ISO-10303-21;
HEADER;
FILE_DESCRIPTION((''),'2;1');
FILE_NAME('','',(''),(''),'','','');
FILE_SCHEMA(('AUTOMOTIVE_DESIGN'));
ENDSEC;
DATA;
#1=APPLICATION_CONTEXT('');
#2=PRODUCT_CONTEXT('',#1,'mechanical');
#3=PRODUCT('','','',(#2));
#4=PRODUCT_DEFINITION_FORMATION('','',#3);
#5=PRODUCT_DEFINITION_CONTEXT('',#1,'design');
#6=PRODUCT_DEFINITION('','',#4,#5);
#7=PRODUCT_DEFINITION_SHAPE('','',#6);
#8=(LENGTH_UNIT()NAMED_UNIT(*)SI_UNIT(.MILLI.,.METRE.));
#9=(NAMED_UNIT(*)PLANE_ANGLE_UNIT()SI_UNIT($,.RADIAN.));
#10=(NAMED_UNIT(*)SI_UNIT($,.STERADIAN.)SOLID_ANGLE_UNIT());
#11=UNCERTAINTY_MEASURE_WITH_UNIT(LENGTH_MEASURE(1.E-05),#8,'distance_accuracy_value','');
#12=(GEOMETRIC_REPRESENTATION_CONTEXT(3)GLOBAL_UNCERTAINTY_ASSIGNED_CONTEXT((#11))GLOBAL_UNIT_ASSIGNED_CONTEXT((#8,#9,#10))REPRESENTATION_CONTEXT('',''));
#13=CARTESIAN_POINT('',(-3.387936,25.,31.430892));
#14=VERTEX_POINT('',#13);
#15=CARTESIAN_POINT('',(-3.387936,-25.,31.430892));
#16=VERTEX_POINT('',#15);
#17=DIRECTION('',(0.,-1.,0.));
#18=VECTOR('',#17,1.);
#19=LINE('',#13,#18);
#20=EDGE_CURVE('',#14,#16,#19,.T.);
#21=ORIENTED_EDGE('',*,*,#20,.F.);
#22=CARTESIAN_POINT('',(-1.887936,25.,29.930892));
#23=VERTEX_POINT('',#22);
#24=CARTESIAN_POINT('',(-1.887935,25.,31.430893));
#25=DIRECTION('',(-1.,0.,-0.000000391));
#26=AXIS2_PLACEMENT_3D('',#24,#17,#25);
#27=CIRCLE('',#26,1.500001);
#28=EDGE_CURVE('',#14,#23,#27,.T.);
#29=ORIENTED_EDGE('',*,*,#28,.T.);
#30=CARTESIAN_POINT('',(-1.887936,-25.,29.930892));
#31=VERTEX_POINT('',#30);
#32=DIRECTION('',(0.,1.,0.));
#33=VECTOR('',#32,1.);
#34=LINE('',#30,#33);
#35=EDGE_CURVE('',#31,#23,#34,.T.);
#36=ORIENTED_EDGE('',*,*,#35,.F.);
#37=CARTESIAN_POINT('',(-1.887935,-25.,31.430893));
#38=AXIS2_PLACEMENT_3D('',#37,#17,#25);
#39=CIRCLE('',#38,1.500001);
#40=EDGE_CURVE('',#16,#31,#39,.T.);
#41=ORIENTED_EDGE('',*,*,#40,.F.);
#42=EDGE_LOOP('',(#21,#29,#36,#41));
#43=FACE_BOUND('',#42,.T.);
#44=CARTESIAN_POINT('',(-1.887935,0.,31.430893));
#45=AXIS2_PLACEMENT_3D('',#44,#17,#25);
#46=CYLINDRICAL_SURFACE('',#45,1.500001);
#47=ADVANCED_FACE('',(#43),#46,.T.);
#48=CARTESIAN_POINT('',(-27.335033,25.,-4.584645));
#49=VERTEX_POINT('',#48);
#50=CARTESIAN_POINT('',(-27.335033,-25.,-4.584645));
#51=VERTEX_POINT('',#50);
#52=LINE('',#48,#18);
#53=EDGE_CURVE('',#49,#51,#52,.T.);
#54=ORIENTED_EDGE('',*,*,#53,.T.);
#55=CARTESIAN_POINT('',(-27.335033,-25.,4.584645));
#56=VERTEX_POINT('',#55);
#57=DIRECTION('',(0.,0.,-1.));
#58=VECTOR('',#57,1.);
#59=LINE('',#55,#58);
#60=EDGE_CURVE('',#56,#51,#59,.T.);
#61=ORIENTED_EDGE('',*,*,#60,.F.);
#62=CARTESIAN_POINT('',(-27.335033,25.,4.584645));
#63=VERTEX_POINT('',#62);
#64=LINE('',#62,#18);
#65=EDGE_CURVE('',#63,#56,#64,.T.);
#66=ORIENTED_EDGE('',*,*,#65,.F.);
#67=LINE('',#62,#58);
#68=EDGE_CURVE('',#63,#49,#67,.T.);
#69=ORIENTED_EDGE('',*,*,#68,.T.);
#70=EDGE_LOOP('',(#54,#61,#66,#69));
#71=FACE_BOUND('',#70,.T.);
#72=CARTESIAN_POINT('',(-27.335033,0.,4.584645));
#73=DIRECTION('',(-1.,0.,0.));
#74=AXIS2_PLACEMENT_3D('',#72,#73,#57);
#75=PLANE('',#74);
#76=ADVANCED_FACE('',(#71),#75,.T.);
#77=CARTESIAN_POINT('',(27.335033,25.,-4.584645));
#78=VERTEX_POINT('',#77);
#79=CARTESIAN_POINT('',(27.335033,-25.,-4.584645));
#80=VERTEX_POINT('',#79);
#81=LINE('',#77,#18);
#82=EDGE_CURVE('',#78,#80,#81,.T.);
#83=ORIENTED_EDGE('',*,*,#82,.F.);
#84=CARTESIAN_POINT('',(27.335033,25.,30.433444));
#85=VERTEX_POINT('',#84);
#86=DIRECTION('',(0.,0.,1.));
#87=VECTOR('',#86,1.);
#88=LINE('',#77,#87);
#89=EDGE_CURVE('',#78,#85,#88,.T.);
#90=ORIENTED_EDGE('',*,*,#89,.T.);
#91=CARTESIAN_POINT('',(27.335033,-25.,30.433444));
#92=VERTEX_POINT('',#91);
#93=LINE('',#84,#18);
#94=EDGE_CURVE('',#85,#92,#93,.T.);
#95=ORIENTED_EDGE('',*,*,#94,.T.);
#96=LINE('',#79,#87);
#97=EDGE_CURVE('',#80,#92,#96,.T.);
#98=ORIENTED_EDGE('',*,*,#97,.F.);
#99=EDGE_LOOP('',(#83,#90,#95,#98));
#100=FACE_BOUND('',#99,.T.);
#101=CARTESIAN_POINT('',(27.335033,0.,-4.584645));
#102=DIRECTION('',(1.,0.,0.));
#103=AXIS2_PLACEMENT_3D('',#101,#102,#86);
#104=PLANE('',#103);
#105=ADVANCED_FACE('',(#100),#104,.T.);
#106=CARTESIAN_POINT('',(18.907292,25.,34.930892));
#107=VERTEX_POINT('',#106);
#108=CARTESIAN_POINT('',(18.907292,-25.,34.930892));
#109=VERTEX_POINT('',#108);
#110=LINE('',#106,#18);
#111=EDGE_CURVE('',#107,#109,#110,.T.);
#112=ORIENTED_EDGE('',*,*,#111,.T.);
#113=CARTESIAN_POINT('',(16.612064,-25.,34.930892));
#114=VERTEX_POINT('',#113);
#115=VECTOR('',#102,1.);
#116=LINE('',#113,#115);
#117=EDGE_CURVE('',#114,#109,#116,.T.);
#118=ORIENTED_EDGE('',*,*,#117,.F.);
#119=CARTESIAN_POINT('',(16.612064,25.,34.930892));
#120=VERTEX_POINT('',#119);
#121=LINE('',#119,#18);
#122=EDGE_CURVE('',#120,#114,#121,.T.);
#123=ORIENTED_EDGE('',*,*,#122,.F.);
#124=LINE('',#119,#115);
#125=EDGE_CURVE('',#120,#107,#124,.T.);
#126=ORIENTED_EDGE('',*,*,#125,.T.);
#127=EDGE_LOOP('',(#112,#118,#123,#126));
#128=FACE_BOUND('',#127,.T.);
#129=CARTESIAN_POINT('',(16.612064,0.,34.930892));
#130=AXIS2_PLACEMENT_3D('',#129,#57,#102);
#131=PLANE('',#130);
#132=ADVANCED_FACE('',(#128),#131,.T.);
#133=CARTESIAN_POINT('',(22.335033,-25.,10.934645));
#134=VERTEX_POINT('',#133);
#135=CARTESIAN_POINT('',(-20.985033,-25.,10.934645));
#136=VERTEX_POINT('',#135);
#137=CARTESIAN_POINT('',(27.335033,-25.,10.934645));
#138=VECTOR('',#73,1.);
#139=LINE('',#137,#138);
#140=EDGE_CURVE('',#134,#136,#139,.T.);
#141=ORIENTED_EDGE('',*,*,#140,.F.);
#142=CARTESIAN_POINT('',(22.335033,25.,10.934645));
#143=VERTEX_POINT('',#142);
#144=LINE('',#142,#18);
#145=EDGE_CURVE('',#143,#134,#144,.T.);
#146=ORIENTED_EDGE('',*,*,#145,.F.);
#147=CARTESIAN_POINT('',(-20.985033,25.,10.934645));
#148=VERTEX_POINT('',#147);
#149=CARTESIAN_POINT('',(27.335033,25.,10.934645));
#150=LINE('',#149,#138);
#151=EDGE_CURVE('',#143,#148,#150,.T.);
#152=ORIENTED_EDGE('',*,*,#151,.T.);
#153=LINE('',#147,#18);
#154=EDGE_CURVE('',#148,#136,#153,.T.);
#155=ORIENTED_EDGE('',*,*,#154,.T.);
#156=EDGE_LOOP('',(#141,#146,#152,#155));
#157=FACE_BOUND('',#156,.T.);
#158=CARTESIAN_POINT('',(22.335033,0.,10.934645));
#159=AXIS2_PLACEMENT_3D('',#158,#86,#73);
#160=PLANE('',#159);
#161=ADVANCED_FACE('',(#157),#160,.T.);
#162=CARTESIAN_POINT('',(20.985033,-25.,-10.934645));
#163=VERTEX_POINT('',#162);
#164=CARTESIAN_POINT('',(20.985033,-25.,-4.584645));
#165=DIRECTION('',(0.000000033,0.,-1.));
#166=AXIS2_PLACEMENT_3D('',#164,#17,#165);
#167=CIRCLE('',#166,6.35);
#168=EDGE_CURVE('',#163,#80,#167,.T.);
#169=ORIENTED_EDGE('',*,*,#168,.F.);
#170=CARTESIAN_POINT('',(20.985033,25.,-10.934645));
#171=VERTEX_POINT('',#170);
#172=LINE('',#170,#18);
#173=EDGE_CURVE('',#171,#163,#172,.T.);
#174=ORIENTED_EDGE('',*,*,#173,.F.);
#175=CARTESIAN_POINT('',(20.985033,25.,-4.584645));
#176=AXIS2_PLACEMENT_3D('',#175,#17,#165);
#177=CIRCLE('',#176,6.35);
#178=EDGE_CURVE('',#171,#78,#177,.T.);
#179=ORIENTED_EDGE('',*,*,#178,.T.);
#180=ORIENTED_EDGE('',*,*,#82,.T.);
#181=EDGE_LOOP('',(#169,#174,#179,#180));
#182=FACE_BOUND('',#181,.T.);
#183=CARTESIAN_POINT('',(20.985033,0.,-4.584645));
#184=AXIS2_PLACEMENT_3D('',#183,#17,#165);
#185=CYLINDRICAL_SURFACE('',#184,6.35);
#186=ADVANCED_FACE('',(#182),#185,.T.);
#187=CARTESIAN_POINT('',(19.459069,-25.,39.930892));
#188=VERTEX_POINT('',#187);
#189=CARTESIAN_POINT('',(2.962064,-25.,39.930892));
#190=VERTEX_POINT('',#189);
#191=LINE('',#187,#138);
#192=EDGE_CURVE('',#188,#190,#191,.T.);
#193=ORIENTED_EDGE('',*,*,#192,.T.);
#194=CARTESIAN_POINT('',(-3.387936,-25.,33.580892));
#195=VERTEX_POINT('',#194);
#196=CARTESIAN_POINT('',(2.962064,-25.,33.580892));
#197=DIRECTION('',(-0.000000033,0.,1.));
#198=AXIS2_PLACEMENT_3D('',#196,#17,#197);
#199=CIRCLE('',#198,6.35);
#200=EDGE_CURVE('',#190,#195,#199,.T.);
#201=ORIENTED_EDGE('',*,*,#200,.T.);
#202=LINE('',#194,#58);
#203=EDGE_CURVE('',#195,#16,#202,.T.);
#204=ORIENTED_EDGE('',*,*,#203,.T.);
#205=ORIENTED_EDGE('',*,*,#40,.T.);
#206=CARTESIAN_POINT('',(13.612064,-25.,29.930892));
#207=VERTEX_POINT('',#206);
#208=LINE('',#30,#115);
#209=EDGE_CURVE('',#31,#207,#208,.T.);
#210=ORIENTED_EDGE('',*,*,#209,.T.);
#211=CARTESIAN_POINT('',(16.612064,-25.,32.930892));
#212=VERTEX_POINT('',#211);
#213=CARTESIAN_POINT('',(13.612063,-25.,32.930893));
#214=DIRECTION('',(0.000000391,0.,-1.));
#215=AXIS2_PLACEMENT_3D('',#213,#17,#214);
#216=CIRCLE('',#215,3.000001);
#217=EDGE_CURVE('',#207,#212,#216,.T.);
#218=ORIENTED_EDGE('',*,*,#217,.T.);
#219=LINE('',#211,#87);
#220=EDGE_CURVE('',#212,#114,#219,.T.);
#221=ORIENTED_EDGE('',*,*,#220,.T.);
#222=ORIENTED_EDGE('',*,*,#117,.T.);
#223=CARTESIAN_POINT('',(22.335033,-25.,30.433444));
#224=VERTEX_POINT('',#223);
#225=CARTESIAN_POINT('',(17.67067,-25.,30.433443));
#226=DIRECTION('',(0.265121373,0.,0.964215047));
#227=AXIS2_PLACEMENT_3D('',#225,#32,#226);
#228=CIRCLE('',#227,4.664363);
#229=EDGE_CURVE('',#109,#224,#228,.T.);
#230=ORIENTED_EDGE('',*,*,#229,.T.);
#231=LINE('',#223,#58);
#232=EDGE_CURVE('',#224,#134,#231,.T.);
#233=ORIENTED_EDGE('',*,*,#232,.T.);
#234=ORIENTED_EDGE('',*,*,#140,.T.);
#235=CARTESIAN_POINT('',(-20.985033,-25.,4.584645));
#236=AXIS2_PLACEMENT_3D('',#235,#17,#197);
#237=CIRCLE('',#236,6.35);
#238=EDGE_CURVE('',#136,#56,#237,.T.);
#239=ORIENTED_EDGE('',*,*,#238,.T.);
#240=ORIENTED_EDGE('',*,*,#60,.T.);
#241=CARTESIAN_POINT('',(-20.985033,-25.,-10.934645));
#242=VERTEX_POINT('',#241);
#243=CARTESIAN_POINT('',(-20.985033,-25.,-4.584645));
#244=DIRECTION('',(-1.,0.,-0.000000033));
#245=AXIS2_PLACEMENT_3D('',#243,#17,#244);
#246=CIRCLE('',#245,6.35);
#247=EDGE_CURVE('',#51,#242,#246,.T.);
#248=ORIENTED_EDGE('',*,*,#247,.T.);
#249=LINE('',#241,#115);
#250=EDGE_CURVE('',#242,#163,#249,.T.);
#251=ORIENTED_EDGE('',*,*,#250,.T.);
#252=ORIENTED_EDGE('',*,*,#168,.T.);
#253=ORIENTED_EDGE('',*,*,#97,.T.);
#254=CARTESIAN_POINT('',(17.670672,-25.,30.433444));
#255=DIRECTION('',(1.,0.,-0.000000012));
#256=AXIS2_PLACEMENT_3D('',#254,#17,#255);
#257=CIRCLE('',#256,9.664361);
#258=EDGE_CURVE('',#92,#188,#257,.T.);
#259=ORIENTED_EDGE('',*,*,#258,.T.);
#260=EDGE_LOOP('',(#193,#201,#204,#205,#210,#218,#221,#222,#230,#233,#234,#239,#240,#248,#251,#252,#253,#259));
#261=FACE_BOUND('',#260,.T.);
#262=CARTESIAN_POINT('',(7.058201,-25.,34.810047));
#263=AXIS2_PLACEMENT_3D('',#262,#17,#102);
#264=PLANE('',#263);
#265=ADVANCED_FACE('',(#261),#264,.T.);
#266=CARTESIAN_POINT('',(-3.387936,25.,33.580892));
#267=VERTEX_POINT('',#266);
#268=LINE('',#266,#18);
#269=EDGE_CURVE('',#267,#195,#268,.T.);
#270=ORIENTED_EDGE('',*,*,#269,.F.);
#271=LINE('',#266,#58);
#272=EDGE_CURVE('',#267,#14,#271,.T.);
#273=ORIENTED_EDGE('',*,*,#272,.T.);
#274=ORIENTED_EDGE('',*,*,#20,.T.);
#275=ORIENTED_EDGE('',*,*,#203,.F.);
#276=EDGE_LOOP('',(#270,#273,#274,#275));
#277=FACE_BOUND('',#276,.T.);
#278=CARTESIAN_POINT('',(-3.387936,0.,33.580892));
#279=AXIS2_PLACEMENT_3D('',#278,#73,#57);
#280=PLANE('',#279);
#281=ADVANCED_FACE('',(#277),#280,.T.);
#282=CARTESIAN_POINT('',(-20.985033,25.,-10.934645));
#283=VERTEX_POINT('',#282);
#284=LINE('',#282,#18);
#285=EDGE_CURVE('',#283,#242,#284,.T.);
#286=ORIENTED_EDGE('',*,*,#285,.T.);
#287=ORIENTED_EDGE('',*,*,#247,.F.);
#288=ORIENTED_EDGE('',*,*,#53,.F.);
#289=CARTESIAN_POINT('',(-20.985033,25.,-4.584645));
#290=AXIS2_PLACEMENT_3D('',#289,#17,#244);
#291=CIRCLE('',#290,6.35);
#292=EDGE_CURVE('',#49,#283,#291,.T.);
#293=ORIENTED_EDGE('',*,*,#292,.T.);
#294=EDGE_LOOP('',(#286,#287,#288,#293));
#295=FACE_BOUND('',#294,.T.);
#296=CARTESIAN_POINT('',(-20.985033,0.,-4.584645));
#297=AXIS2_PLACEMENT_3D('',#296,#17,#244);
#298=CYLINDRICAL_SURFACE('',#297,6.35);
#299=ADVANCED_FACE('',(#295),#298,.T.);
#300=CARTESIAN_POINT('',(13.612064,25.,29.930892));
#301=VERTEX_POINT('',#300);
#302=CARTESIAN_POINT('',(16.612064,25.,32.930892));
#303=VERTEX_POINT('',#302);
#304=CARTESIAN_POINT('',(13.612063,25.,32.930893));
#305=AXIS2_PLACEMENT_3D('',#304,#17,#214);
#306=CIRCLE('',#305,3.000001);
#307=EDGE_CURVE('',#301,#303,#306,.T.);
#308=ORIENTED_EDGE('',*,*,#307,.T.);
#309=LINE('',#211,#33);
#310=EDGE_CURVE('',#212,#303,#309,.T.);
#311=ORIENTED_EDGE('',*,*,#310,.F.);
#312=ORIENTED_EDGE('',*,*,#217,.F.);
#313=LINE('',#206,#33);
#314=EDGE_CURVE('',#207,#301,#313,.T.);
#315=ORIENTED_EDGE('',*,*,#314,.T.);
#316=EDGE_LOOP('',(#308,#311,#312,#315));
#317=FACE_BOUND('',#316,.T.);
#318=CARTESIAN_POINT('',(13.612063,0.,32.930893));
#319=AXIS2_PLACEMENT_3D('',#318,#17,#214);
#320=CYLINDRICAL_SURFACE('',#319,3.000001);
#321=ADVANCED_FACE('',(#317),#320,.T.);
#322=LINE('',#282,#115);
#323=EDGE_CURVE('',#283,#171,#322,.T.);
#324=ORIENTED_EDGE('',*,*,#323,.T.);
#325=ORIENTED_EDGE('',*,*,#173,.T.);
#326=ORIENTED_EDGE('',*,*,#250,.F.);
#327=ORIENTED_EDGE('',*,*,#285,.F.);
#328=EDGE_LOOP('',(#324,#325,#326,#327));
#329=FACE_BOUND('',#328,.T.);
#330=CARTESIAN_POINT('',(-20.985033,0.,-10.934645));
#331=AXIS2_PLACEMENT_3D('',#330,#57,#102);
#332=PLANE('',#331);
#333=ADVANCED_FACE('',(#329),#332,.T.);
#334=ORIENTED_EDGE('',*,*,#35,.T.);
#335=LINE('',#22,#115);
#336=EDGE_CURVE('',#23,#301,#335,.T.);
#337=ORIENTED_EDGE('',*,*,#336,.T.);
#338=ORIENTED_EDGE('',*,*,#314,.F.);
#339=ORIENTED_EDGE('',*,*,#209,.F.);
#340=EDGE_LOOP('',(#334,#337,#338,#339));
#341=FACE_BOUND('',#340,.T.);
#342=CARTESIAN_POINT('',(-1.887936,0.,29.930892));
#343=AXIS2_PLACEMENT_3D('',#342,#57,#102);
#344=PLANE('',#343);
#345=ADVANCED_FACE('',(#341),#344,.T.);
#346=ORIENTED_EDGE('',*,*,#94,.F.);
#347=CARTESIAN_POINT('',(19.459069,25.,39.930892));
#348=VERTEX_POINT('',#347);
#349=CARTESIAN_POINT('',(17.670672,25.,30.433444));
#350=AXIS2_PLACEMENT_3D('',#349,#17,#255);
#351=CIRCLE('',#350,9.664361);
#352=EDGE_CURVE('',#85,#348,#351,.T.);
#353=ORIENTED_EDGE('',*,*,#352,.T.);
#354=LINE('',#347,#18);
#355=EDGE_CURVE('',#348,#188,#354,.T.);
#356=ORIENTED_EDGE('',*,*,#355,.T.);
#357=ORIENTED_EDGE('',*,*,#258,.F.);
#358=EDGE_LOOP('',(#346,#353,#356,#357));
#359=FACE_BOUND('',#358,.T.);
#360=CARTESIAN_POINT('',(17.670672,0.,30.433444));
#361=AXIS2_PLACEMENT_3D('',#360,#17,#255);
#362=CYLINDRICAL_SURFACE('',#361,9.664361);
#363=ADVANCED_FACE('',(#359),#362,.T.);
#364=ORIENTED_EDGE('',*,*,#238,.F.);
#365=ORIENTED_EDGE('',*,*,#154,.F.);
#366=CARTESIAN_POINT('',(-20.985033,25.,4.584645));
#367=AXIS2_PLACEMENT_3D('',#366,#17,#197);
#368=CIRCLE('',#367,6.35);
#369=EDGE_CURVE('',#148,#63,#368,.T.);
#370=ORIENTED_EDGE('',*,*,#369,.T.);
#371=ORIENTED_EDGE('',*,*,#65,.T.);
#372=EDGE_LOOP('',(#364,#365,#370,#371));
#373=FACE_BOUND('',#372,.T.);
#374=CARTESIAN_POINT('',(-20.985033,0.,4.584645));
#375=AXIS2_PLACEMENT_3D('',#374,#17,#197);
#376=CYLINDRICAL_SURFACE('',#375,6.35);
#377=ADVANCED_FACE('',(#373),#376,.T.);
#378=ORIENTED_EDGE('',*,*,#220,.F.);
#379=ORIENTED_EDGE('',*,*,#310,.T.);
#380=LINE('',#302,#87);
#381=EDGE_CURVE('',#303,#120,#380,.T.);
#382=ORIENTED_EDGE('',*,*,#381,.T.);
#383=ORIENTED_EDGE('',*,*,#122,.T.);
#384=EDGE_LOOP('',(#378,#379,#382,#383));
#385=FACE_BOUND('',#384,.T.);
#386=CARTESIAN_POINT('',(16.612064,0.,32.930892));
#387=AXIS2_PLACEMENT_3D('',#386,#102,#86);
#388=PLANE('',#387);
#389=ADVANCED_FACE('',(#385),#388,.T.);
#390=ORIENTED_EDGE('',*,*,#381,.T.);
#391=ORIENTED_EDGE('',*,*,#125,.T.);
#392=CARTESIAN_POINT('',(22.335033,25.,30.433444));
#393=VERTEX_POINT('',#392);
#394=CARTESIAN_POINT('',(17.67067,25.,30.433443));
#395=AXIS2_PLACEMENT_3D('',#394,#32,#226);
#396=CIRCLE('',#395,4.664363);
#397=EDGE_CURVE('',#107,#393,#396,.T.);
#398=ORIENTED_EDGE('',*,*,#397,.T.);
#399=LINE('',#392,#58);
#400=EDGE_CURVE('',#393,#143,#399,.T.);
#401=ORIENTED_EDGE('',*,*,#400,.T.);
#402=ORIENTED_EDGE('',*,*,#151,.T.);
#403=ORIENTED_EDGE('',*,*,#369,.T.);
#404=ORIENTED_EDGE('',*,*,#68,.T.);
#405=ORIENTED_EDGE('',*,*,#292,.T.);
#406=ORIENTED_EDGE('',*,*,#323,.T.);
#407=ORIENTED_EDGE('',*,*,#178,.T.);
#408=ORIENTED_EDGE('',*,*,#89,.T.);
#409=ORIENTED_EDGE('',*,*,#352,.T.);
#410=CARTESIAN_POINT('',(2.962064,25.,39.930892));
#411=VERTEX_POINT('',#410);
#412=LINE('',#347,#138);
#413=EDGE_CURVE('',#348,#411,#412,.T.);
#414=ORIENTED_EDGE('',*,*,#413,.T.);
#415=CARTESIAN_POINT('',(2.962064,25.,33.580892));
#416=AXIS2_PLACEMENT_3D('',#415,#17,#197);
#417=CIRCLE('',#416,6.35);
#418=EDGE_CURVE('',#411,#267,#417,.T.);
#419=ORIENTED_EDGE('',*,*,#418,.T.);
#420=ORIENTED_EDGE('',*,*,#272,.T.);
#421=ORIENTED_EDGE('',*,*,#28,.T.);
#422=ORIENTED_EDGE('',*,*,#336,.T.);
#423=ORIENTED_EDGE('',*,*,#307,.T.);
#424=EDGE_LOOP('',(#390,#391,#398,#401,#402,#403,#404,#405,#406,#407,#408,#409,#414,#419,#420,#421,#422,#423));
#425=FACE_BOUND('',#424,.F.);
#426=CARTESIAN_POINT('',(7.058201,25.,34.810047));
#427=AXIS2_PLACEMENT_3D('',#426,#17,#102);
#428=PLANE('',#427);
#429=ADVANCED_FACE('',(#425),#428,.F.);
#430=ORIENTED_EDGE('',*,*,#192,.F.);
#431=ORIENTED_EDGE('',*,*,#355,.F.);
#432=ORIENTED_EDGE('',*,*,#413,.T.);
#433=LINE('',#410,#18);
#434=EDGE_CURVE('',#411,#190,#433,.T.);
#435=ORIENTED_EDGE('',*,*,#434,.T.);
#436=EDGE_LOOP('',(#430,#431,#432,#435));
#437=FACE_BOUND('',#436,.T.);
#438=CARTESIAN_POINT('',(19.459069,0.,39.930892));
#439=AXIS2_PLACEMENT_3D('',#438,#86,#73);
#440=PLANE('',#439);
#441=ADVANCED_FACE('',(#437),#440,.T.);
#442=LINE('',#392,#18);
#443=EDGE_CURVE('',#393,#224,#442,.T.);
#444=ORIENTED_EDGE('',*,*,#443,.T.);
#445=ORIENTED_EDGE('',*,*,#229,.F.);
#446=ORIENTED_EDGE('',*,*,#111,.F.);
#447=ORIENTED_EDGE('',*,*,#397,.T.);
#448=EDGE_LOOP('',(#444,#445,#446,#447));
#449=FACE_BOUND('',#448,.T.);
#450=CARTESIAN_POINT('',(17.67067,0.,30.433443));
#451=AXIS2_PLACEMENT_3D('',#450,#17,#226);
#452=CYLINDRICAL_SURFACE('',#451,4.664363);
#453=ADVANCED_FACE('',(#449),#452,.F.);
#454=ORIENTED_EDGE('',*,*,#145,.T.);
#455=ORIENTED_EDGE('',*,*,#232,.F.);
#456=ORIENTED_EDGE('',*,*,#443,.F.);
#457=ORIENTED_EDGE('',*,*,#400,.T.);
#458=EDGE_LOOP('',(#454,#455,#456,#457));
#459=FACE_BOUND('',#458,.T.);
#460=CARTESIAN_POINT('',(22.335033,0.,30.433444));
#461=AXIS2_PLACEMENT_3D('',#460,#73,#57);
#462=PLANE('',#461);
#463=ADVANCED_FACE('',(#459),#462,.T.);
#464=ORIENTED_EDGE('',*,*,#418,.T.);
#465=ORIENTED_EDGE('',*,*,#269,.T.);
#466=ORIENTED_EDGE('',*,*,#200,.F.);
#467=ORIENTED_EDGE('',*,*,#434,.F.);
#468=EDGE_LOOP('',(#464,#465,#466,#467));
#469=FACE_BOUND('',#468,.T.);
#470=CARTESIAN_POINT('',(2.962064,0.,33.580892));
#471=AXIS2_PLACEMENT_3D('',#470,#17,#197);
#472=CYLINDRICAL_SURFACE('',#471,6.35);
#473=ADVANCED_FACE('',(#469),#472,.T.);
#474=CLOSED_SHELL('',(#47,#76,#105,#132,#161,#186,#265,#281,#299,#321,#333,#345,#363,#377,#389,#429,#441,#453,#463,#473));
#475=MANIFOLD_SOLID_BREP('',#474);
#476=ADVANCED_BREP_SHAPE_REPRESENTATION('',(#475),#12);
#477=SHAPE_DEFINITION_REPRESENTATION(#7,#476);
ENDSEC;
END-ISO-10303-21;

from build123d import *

# Parameters (mm, degrees)
F1_DEPTH = 25


with BuildPart() as f1:
    # F0 (on Front) → F1 (new body, symmetric)
    with BuildSketch(Plane.XZ):
        with BuildLine():
            Line((16.612064, 32.930892), (16.612064, 34.930892))
            Line((16.612064, 34.930892), (16.612064, 39.930892))
            Line((16.612064, 39.930892), (2.962064, 39.930892))
            ThreePointArc((2.962064, 39.930892), (-1.528064, 38.07102), (-3.387936, 33.580892))
            Line((-3.387936, 33.580892), (-3.387936, 31.430892))
            ThreePointArc((-3.387936, 31.430892), (-2.948596, 30.370232), (-1.887936, 29.930892))
            Line((-1.887936, 29.930892), (13.612064, 29.930892))
            ThreePointArc((13.612064, 29.930892), (15.733384, 30.809572), (16.612064, 32.930892))
        make_face()
        with BuildLine():
            Line((22.335033, 10.934645), (-20.985033, 10.934645))
            ThreePointArc((-20.985033, 10.934645), (-25.475161, 9.074773), (-27.335033, 4.584645))
            Line((-27.335033, 4.584645), (-27.335033, -4.584645))
            ThreePointArc((-27.335033, -4.584645), (-25.475161, -9.074773), (-20.985033, -10.934645))
            Line((-20.985033, -10.934645), (20.985033, -10.934645))
            ThreePointArc((20.985033, -10.934645), (25.475161, -9.074773), (27.335033, -4.584645))
            Line((27.335033, -4.584645), (27.335033, 10.934645))
            Line((27.335033, 10.934645), (22.335033, 10.934645))
        make_face()
        with BuildLine():
            Line((22.335033, 30.433444), (22.335033, 10.934645))
            Line((22.335033, 10.934645), (27.335033, 10.934645))
            Line((27.335033, 10.934645), (27.335033, 30.433444))
            ThreePointArc((27.335033, 30.433444), (25.109878, 36.602568), (19.459069, 39.930892))
            Line((19.459069, 39.930892), (16.612064, 39.930892))
            Line((16.612064, 39.930892), (16.612064, 34.930892))
            Line((16.612064, 34.930892), (18.907292, 34.930892))
            ThreePointArc((18.907292, 34.930892), (21.380409, 33.26083), (22.335033, 30.433444))
        make_face()
    extrude(amount=F1_DEPTH, both=True)


solid = f1.part
